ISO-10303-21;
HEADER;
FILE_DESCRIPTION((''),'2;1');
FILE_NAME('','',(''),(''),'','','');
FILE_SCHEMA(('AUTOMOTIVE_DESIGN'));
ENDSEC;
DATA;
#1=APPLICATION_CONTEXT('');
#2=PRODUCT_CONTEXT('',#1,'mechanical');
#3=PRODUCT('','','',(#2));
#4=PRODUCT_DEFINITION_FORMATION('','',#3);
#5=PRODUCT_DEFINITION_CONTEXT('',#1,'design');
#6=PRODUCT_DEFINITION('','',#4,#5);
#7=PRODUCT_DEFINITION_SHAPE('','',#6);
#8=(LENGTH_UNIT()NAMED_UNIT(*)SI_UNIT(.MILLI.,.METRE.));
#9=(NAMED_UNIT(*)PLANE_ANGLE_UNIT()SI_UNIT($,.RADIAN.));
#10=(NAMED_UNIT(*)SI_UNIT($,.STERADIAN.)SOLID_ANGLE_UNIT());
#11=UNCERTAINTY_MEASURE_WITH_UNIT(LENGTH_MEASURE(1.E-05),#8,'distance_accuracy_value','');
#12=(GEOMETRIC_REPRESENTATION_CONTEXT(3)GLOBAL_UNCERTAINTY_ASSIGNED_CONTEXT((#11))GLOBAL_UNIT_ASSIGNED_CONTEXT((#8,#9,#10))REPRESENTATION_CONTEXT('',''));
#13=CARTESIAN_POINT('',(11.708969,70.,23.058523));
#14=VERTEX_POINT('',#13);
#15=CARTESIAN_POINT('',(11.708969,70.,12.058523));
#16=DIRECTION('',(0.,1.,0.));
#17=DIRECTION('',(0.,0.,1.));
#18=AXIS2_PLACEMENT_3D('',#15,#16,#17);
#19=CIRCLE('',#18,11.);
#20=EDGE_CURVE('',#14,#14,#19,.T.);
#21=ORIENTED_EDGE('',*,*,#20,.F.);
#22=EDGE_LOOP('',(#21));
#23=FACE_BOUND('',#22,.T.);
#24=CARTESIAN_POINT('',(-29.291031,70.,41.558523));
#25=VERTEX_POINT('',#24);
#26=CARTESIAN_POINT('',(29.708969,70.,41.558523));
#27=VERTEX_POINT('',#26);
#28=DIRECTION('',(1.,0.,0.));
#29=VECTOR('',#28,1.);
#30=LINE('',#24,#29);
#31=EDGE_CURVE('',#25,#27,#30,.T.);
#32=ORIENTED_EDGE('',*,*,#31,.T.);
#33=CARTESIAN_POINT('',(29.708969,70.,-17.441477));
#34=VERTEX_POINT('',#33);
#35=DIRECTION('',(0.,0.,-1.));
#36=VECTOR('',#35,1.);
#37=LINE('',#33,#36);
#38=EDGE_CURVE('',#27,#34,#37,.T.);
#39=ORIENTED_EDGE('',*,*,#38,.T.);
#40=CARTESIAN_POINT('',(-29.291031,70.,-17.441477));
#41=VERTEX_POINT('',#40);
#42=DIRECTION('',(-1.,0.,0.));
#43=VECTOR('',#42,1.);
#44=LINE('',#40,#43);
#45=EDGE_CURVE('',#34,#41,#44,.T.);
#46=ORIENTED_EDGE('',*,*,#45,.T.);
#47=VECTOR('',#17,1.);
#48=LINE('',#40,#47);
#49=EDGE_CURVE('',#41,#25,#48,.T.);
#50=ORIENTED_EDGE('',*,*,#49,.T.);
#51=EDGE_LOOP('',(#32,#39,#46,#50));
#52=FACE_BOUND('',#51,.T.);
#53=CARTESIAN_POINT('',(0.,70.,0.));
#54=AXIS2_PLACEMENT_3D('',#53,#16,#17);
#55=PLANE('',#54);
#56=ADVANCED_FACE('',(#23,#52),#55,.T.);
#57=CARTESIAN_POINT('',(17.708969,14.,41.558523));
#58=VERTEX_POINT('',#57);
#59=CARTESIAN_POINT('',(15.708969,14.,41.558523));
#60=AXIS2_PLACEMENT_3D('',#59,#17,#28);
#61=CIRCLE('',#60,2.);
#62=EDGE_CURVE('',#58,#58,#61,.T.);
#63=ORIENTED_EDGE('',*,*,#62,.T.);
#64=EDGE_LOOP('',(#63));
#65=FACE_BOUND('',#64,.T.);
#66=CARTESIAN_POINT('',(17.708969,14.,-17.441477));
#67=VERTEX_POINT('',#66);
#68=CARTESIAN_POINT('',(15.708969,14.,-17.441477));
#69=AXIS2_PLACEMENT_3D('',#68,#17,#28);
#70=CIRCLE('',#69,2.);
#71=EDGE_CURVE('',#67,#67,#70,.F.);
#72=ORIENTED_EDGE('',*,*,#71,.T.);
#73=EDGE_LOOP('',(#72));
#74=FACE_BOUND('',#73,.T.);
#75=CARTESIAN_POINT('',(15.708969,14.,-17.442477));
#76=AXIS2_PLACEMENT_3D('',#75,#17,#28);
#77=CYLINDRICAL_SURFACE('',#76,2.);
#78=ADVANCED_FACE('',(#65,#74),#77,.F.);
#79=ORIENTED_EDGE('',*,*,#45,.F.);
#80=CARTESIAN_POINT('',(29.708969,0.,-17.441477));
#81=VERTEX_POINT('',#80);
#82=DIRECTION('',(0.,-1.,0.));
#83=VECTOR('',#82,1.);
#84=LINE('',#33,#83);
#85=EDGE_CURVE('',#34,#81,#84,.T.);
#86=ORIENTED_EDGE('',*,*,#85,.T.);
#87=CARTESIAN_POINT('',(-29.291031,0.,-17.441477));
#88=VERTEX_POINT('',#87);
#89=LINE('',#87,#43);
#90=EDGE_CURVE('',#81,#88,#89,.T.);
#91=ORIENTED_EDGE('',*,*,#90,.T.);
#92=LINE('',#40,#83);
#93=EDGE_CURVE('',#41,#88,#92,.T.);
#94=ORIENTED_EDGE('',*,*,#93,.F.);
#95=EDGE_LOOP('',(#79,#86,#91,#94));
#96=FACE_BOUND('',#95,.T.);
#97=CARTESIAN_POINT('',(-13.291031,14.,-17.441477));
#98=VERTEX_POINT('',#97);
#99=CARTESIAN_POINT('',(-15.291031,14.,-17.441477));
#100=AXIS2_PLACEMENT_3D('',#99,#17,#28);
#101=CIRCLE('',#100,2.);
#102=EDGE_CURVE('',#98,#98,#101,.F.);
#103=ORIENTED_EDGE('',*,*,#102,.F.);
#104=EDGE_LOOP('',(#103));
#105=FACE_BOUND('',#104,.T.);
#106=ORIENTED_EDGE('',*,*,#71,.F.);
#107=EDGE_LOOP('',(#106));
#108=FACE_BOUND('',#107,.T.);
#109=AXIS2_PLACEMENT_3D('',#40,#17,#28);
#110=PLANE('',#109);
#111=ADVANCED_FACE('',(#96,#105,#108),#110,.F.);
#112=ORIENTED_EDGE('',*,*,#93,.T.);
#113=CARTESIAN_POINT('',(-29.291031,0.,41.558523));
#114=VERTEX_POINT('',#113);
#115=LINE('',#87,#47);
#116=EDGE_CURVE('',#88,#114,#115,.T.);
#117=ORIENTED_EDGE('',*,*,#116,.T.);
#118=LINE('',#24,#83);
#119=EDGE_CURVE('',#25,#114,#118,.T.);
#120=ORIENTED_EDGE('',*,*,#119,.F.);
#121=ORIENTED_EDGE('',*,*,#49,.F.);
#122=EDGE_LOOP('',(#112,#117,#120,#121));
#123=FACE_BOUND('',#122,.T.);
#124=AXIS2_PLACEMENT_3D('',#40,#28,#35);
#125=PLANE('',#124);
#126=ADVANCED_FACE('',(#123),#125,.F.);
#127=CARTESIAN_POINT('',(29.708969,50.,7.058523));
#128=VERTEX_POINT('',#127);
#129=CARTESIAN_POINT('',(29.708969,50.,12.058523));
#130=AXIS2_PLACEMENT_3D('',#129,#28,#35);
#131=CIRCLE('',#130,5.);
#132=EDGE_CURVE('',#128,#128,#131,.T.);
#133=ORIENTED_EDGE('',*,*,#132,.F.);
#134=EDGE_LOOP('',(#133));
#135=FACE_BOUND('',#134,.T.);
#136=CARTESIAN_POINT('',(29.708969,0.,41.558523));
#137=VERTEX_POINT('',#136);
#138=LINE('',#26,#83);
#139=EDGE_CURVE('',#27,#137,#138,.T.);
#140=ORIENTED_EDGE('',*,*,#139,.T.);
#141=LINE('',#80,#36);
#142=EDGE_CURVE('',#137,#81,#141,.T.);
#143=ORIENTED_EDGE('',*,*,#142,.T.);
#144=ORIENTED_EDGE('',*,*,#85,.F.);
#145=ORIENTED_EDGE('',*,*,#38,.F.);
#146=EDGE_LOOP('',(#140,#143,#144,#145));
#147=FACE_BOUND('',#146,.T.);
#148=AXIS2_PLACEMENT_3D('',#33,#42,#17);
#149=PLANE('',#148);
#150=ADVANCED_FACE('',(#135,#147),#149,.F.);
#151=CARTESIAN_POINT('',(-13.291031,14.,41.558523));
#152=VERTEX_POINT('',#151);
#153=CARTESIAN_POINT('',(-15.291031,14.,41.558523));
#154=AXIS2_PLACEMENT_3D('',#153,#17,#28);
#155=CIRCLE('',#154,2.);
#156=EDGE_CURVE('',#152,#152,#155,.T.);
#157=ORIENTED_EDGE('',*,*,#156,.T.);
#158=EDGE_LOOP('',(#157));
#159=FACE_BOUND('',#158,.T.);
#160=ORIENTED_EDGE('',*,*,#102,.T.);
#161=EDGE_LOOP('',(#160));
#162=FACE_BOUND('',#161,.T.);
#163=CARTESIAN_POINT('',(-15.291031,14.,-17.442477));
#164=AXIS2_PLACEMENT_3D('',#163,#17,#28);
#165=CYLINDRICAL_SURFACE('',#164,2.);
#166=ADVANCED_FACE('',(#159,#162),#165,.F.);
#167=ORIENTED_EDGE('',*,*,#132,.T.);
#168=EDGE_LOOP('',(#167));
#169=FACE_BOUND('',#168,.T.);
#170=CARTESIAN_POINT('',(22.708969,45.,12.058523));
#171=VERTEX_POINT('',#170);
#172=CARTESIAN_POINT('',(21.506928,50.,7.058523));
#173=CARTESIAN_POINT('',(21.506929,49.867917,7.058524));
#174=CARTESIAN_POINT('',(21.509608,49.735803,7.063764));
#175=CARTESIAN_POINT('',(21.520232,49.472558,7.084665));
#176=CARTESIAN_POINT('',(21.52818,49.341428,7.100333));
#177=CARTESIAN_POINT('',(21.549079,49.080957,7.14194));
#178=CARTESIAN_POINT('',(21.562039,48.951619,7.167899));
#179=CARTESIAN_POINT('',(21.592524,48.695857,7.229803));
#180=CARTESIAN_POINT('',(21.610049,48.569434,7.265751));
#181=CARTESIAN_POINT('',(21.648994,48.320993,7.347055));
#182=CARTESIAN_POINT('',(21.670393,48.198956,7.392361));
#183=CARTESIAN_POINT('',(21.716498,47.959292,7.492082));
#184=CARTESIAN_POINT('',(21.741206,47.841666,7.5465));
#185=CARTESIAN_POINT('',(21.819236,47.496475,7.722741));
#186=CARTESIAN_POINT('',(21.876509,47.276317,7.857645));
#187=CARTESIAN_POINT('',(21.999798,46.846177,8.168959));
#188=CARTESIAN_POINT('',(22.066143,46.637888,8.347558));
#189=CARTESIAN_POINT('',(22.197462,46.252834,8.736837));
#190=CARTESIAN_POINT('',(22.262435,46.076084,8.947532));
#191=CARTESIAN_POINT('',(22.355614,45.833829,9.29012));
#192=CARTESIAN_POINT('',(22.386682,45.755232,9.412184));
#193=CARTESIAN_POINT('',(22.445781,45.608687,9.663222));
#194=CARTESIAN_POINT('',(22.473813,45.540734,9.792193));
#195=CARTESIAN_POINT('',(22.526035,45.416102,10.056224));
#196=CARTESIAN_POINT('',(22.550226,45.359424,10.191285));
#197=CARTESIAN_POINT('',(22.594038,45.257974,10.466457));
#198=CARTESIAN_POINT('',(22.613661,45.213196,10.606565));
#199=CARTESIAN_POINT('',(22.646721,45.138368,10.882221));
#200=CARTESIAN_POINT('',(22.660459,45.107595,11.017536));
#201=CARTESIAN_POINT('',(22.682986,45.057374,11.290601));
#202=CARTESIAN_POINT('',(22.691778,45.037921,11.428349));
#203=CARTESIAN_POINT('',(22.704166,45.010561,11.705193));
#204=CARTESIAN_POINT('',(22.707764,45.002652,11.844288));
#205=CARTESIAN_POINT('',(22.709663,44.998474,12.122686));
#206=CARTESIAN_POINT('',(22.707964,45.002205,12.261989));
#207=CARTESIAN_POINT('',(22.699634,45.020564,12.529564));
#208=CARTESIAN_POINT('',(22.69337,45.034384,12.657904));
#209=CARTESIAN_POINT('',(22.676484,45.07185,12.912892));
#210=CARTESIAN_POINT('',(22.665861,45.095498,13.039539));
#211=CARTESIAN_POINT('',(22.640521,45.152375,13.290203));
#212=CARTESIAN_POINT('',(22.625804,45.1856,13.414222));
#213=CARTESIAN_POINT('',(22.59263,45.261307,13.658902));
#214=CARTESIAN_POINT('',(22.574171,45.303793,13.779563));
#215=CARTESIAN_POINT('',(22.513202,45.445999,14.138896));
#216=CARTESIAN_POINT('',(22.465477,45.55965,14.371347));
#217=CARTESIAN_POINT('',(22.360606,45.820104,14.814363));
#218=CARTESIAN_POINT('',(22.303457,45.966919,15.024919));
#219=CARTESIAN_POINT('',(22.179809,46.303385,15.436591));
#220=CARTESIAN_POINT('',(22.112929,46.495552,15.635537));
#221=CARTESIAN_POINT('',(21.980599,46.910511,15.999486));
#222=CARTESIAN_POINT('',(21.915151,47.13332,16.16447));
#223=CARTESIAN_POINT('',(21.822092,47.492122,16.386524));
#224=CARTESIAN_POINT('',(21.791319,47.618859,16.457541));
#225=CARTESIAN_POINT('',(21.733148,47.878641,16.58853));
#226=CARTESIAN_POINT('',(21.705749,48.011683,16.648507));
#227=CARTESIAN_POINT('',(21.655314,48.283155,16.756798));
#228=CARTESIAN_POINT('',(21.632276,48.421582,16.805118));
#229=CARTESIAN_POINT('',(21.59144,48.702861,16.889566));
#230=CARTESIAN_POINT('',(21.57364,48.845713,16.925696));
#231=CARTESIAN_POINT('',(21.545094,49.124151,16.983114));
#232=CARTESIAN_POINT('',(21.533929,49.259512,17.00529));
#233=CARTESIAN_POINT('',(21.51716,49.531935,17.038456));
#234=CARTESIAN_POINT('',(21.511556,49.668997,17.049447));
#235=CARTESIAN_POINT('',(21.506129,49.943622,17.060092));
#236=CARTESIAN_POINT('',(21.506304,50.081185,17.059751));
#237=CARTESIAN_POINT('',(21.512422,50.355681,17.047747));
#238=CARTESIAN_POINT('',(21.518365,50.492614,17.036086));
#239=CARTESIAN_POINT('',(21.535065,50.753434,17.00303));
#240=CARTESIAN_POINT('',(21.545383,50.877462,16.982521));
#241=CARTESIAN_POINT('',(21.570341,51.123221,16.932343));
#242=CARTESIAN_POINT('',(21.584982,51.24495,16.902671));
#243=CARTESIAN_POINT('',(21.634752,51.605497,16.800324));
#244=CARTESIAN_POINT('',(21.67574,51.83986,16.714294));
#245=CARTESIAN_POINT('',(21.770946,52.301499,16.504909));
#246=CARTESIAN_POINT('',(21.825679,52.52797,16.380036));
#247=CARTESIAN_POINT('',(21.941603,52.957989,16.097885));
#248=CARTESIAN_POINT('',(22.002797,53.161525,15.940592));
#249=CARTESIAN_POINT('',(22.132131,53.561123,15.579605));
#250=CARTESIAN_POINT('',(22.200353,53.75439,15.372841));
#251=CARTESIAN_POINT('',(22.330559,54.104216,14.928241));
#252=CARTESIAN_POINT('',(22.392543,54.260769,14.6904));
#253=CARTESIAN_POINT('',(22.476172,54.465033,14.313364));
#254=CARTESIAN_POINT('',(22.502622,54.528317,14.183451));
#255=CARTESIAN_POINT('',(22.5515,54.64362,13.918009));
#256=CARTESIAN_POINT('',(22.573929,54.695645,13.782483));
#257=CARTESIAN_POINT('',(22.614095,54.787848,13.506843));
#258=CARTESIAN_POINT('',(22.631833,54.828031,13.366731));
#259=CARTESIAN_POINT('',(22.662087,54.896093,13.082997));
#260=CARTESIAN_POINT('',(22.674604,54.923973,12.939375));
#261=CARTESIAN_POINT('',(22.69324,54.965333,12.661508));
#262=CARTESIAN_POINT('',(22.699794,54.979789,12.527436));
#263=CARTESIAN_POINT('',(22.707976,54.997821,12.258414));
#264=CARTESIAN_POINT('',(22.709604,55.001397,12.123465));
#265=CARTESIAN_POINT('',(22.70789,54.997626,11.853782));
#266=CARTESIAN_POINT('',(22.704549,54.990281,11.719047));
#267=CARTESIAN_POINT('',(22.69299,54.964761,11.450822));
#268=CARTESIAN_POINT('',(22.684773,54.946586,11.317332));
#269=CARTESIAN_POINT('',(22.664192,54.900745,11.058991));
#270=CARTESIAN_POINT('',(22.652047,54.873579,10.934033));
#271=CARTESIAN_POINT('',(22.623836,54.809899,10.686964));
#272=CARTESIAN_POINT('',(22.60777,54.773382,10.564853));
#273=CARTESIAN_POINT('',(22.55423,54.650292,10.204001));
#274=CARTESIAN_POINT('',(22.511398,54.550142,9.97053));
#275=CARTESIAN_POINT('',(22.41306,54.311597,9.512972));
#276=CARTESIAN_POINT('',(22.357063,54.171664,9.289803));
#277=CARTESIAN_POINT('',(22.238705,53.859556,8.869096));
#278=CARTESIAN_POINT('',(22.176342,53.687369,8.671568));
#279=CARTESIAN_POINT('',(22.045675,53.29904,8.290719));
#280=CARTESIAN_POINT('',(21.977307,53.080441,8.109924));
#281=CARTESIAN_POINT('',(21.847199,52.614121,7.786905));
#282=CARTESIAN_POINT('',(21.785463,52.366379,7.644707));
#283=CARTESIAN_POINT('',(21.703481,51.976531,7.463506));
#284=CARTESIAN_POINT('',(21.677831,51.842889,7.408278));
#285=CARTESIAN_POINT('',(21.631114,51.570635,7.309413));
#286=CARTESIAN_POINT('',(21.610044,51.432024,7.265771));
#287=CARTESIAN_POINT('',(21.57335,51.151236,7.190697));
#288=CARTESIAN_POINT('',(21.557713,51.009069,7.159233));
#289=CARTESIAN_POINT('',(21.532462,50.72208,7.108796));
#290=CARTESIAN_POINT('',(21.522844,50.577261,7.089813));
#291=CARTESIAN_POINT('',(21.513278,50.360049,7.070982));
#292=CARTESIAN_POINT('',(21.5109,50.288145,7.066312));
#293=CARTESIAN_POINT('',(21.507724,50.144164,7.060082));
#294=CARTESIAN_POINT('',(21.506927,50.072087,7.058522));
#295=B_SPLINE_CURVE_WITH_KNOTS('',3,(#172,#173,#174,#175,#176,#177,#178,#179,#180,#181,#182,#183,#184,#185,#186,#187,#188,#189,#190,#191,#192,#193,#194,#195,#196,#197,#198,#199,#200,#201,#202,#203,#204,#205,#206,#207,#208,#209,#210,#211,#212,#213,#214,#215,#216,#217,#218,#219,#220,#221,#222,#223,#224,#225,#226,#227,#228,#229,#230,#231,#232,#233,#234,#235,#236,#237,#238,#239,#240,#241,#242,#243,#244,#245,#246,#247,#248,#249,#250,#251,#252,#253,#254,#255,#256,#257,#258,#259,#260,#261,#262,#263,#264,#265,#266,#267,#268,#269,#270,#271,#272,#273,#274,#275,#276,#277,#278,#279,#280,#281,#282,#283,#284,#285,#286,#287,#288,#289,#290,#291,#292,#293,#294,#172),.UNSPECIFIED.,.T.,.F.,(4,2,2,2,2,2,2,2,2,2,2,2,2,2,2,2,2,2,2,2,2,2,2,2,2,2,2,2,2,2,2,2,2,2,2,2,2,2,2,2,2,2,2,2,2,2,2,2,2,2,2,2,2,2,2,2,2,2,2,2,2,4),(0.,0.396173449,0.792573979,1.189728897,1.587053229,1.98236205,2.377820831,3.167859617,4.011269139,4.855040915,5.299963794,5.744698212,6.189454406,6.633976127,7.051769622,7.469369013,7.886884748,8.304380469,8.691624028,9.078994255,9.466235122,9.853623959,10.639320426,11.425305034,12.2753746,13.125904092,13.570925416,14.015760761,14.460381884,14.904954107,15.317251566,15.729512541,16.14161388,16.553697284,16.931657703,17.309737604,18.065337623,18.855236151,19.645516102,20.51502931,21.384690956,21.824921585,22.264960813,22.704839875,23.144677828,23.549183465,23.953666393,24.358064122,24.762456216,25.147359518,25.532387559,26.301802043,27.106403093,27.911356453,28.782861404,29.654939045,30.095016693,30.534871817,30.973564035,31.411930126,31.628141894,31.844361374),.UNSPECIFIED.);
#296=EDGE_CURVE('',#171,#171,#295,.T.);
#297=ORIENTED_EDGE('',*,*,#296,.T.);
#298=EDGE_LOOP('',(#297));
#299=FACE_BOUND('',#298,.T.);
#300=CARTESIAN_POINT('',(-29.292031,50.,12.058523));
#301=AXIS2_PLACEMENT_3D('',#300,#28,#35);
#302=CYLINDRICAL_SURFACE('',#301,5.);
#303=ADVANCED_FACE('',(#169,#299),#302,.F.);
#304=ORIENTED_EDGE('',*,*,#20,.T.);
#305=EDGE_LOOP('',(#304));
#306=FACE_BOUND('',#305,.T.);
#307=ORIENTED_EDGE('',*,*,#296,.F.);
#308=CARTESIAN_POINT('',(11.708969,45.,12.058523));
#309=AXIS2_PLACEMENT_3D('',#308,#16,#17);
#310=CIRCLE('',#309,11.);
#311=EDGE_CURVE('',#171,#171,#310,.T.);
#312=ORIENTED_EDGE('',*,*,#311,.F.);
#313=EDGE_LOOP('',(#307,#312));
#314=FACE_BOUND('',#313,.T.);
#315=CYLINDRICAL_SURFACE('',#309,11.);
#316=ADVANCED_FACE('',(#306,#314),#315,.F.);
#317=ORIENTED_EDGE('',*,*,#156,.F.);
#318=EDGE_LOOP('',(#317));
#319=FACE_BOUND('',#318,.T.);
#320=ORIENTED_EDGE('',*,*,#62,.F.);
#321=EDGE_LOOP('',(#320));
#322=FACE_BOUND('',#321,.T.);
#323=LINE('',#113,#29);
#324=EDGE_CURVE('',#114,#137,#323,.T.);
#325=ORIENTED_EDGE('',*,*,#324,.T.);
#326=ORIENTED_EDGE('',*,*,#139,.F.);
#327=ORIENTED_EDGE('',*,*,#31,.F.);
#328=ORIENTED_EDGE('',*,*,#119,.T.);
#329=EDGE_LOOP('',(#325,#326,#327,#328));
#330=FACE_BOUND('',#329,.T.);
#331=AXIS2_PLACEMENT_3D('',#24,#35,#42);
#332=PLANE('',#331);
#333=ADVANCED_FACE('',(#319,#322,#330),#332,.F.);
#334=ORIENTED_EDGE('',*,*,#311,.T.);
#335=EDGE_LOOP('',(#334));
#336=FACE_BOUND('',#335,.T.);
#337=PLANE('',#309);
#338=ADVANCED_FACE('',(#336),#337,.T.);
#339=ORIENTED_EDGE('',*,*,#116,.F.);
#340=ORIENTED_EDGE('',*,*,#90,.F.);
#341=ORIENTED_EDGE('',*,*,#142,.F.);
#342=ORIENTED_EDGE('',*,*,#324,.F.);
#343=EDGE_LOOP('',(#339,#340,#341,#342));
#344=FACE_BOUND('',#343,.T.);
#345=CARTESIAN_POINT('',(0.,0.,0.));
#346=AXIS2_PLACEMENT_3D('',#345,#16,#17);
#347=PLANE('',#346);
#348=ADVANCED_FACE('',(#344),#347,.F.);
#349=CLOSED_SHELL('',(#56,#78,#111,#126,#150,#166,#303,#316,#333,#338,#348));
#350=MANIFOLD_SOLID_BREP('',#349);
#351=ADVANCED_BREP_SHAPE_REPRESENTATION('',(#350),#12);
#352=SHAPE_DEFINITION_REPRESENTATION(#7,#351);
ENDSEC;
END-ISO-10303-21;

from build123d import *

# Parameters (mm, degrees)
ESQUISSE1_W             = 59
ESQUISSE1_H             = 59
BOSS_EXTRU_1_DEPTH      = 70
ENL_V_MAT_EXTRU_1_REACH = 61
ESQUISSE2_R             = 2
ESQUISSE3_R             = 11
ENL_V_MAT_EXTRU_2_DEPTH = 25
ENL_V_MAT_EXTRU_3_REACH = 61
ESQUISSE4_R             = 5


with BuildPart() as part:
    # Esquisse1 → Boss.-Extru.1 (new body)
    with BuildSketch(Plane(origin=(0, 0, 0), x_dir=(1, 0, 0), z_dir=(0, 1, 0))):
        with Locations((0.20896915, -12.058522539)):
            Rectangle(ESQUISSE1_W, ESQUISSE1_H)
    extrude(amount=BOSS_EXTRU_1_DEPTH)

    # Esquisse2 → Enlèv. mat.-Extru.1 (cut, up to next)
    with BuildSketch(Plane.XY.offset(41.558522539), mode=Mode.PRIVATE) as enl_v_mat_extru_1_sk1:
        with Locations((-15.29103085, 14)):
            Circle(ESQUISSE2_R)
    enl_v_mat_extru_1_tool1 = extrude(enl_v_mat_extru_1_sk1.sketch, amount=-ENL_V_MAT_EXTRU_1_REACH, mode=Mode.PRIVATE) & part.part
    add(enl_v_mat_extru_1_tool1.solids().sort_by_distance((-15.291031, 14, 41.558523))[0], mode=Mode.SUBTRACT)
    # Esquisse2 → Enlèv. mat.-Extru.1 (cut, up to next)
    with BuildSketch(Plane.XY.offset(41.558522539), mode=Mode.PRIVATE) as enl_v_mat_extru_1_sk2:
        with Locations((15.70896915, 14)):
            Circle(ESQUISSE2_R)
    enl_v_mat_extru_1_tool2 = extrude(enl_v_mat_extru_1_sk2.sketch, amount=-ENL_V_MAT_EXTRU_1_REACH, mode=Mode.PRIVATE) & part.part
    add(enl_v_mat_extru_1_tool2.solids().sort_by_distance((15.708969, 14, 41.558523))[0], mode=Mode.SUBTRACT)

    # Esquisse3 → Enlèv. mat.-Extru.2 (cut)
    with BuildSketch(Plane(origin=(0, 70, 0), x_dir=(1, 0, 0), z_dir=(0, 1, 0))):
        with Locations((11.70896915, -12.058522539)):
            Circle(ESQUISSE3_R)
    extrude(amount=-ENL_V_MAT_EXTRU_2_DEPTH, mode=Mode.SUBTRACT)

    # Esquisse4 → Enlèv. mat.-Extru.3 (cut, up to next)
    with BuildSketch(Plane(origin=(29.70896915, 0, 0), x_dir=(0, 0, -1), z_dir=(1, 0, 0)), mode=Mode.PRIVATE) as enl_v_mat_extru_3_sk1:
        with Locations((-12.058522539, 50)):
            Circle(ESQUISSE4_R)
    enl_v_mat_extru_3_tool1 = extrude(enl_v_mat_extru_3_sk1.sketch, amount=-ENL_V_MAT_EXTRU_3_REACH, mode=Mode.PRIVATE) & part.part
    add(enl_v_mat_extru_3_tool1.solids().sort_by_distance((29.708969, 50, 12.058523))[0], mode=Mode.SUBTRACT)


solid = part.part
